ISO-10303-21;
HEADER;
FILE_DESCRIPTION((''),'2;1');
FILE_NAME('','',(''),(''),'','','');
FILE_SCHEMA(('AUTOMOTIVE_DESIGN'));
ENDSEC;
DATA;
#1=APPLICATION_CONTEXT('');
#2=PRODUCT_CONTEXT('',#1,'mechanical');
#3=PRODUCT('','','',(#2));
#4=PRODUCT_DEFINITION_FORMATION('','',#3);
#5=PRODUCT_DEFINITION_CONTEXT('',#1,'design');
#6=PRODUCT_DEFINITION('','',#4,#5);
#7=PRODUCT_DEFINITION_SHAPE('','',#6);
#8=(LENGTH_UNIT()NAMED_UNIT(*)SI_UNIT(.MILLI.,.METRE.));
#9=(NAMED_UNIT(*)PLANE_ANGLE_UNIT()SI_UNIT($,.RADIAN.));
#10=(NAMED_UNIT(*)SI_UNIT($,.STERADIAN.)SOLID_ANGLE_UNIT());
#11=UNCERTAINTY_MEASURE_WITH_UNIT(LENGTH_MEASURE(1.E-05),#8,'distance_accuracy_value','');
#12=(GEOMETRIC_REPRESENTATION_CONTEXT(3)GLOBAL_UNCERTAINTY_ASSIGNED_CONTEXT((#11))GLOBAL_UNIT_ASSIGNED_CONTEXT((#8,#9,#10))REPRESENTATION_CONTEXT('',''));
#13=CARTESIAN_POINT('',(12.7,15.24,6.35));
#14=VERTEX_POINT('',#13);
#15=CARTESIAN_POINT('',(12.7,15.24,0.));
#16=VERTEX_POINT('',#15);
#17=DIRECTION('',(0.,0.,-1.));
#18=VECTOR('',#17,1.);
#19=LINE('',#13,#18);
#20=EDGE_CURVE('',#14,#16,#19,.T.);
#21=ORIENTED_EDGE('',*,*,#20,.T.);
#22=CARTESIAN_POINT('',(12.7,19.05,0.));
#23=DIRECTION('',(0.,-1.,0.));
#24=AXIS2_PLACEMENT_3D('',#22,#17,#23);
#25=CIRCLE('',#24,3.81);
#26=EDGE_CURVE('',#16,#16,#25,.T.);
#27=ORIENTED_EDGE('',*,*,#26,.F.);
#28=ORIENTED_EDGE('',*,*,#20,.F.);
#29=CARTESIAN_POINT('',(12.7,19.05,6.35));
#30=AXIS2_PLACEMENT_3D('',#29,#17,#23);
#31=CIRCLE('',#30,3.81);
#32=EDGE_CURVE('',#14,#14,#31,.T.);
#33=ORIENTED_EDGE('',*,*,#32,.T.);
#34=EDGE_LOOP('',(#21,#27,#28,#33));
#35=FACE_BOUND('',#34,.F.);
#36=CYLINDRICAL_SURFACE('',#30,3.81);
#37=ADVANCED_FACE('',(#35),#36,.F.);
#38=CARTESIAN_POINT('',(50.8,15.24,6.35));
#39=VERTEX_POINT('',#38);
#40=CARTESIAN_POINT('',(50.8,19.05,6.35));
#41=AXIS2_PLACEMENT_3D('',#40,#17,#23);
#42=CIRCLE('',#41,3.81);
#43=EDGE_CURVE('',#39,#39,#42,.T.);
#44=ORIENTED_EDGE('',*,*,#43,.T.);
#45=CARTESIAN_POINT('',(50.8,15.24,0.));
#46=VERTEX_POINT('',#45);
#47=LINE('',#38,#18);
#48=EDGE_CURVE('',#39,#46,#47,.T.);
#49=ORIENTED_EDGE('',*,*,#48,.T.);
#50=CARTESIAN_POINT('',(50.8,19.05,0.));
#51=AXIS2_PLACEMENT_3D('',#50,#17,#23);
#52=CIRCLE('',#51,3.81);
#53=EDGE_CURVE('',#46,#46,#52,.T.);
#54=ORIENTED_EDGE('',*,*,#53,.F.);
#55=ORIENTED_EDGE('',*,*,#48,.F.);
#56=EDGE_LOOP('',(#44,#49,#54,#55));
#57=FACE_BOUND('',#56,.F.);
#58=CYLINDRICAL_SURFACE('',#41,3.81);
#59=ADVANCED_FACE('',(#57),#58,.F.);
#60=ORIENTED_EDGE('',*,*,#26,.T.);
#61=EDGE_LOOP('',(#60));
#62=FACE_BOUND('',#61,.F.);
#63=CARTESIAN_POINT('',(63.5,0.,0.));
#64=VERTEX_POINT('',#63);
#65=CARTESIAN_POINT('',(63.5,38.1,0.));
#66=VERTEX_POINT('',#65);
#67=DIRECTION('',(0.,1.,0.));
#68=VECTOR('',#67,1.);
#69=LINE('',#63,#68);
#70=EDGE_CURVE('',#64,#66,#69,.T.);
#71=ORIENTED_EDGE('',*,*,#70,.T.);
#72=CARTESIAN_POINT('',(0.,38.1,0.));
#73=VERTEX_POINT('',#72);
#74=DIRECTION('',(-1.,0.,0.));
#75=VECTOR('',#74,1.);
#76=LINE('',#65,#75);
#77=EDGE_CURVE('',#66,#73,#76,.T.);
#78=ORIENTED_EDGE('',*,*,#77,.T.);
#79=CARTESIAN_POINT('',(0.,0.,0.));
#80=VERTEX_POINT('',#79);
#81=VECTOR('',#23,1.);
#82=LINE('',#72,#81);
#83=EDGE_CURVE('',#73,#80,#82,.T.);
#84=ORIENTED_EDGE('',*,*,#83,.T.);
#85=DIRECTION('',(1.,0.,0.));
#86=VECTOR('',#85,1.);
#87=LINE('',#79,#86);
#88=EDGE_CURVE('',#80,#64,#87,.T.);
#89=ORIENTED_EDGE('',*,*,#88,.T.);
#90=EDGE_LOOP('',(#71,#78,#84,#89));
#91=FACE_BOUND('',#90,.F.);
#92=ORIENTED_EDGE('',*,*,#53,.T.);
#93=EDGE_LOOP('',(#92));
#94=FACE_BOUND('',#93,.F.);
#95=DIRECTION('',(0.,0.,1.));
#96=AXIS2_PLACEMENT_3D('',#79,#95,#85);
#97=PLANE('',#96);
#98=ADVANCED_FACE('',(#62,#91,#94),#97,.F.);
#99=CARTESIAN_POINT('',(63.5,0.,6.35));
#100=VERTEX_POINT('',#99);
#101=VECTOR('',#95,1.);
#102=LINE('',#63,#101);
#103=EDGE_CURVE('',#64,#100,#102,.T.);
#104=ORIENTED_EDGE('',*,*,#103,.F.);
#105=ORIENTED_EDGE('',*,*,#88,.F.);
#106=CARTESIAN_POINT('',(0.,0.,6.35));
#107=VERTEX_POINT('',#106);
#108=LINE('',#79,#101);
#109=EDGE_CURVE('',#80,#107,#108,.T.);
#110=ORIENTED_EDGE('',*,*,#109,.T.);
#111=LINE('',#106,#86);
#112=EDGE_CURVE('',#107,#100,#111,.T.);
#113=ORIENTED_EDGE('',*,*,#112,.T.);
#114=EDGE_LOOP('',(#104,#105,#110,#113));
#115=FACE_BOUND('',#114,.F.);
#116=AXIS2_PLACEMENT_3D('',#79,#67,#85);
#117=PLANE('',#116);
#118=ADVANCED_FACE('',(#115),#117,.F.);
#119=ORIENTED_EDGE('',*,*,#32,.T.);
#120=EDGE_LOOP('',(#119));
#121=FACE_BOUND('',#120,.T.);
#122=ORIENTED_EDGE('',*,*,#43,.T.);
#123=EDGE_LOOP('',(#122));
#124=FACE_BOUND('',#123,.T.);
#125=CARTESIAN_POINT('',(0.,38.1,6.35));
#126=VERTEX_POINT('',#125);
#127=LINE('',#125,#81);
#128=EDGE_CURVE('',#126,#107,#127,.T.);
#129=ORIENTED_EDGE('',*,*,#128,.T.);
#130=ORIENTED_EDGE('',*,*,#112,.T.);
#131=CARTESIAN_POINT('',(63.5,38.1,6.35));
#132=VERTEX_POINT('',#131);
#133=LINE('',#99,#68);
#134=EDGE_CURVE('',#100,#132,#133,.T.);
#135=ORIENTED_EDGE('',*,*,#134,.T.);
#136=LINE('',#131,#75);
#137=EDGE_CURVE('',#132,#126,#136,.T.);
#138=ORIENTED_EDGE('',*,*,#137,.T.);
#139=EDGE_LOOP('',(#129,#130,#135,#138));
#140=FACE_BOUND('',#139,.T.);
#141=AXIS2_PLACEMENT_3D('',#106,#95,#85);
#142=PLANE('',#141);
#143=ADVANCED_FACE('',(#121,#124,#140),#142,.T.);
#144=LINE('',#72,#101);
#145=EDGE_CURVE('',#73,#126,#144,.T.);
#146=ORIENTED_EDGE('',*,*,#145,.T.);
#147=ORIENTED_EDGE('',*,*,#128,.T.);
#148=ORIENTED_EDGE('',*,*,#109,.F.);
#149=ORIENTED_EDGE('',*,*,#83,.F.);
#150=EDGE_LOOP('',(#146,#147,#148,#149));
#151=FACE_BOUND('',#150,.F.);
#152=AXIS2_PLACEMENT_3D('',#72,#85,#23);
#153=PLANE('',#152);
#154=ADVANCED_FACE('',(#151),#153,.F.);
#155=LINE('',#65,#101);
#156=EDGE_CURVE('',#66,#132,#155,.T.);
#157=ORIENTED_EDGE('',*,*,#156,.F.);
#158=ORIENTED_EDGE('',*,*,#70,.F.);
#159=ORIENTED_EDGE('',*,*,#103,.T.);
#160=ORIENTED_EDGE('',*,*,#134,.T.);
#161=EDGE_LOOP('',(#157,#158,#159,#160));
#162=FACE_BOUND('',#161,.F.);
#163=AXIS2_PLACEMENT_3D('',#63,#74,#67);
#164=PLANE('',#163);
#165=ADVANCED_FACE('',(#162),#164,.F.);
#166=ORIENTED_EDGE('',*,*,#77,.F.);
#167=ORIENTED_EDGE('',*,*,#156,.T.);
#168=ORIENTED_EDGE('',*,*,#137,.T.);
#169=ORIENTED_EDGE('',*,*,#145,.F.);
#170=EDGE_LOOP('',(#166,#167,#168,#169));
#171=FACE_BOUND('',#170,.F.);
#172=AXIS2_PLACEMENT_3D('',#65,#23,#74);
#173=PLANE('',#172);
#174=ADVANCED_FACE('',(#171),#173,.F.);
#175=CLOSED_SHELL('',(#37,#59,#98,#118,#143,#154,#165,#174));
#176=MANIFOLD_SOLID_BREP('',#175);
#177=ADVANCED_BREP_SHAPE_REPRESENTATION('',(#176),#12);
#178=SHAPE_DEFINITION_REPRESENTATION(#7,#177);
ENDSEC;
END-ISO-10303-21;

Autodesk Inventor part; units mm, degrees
ref_plane "YZ Plane" through (0, 0, 0) normal (1, 0, 0) x (0, 1, 0)
ref_plane "XZ Plane" through (0, 0, 0) normal (0, 1, 0) x (-1, 0, 0)
ref_plane "XY Plane" through (0, 0, 0) normal (0, 0, 1) x (1, 0, 0)
sketch "Sketch1" plane through (0, 0, 0) normal (0, 0, 1) x (1, 0, 0)
  line L0 (0, 0) -> (63.5, 0)
  line L1 (63.5, 0) -> (63.5, 38.1)
  line L2 (63.5, 38.1) -> (0, 38.1)
  line L3 (0, 38.1) -> (0, 0)
  dimension "d0" = 63.5
  dimension "d1" = 38.1
extrude "Extrusion1" add sketch "Sketch1" along normal blind 6.35
sketch "Sketch2" plane through (0, 0, 6.35) normal (0, 0, 1) x (1, 0, 0)
  line L0 (0, 38.1) -> (0, 0) projected
  line L1 (0, 19.05) -> (12.7, 19.05)
  line L2 (63.5, 0) -> (63.5, 38.1) projected
  line L3 (63.5, 19.05) -> (50.8, 19.05)
  line L4 (63.5, 19.05) -> (76.2, 19.05) construction
  dimension "d4" = 12.7
  dimension "d5" = 12.7
  dimension "d6" = 180
hole "Hole1" at (12.7, 19.05, 6.35) at (50.8, 19.05, 6.35) direction (0, 0, -1) diameter 7.62 depth 25.4 tip angle 118
properties part number "RelicArmSpacer"
